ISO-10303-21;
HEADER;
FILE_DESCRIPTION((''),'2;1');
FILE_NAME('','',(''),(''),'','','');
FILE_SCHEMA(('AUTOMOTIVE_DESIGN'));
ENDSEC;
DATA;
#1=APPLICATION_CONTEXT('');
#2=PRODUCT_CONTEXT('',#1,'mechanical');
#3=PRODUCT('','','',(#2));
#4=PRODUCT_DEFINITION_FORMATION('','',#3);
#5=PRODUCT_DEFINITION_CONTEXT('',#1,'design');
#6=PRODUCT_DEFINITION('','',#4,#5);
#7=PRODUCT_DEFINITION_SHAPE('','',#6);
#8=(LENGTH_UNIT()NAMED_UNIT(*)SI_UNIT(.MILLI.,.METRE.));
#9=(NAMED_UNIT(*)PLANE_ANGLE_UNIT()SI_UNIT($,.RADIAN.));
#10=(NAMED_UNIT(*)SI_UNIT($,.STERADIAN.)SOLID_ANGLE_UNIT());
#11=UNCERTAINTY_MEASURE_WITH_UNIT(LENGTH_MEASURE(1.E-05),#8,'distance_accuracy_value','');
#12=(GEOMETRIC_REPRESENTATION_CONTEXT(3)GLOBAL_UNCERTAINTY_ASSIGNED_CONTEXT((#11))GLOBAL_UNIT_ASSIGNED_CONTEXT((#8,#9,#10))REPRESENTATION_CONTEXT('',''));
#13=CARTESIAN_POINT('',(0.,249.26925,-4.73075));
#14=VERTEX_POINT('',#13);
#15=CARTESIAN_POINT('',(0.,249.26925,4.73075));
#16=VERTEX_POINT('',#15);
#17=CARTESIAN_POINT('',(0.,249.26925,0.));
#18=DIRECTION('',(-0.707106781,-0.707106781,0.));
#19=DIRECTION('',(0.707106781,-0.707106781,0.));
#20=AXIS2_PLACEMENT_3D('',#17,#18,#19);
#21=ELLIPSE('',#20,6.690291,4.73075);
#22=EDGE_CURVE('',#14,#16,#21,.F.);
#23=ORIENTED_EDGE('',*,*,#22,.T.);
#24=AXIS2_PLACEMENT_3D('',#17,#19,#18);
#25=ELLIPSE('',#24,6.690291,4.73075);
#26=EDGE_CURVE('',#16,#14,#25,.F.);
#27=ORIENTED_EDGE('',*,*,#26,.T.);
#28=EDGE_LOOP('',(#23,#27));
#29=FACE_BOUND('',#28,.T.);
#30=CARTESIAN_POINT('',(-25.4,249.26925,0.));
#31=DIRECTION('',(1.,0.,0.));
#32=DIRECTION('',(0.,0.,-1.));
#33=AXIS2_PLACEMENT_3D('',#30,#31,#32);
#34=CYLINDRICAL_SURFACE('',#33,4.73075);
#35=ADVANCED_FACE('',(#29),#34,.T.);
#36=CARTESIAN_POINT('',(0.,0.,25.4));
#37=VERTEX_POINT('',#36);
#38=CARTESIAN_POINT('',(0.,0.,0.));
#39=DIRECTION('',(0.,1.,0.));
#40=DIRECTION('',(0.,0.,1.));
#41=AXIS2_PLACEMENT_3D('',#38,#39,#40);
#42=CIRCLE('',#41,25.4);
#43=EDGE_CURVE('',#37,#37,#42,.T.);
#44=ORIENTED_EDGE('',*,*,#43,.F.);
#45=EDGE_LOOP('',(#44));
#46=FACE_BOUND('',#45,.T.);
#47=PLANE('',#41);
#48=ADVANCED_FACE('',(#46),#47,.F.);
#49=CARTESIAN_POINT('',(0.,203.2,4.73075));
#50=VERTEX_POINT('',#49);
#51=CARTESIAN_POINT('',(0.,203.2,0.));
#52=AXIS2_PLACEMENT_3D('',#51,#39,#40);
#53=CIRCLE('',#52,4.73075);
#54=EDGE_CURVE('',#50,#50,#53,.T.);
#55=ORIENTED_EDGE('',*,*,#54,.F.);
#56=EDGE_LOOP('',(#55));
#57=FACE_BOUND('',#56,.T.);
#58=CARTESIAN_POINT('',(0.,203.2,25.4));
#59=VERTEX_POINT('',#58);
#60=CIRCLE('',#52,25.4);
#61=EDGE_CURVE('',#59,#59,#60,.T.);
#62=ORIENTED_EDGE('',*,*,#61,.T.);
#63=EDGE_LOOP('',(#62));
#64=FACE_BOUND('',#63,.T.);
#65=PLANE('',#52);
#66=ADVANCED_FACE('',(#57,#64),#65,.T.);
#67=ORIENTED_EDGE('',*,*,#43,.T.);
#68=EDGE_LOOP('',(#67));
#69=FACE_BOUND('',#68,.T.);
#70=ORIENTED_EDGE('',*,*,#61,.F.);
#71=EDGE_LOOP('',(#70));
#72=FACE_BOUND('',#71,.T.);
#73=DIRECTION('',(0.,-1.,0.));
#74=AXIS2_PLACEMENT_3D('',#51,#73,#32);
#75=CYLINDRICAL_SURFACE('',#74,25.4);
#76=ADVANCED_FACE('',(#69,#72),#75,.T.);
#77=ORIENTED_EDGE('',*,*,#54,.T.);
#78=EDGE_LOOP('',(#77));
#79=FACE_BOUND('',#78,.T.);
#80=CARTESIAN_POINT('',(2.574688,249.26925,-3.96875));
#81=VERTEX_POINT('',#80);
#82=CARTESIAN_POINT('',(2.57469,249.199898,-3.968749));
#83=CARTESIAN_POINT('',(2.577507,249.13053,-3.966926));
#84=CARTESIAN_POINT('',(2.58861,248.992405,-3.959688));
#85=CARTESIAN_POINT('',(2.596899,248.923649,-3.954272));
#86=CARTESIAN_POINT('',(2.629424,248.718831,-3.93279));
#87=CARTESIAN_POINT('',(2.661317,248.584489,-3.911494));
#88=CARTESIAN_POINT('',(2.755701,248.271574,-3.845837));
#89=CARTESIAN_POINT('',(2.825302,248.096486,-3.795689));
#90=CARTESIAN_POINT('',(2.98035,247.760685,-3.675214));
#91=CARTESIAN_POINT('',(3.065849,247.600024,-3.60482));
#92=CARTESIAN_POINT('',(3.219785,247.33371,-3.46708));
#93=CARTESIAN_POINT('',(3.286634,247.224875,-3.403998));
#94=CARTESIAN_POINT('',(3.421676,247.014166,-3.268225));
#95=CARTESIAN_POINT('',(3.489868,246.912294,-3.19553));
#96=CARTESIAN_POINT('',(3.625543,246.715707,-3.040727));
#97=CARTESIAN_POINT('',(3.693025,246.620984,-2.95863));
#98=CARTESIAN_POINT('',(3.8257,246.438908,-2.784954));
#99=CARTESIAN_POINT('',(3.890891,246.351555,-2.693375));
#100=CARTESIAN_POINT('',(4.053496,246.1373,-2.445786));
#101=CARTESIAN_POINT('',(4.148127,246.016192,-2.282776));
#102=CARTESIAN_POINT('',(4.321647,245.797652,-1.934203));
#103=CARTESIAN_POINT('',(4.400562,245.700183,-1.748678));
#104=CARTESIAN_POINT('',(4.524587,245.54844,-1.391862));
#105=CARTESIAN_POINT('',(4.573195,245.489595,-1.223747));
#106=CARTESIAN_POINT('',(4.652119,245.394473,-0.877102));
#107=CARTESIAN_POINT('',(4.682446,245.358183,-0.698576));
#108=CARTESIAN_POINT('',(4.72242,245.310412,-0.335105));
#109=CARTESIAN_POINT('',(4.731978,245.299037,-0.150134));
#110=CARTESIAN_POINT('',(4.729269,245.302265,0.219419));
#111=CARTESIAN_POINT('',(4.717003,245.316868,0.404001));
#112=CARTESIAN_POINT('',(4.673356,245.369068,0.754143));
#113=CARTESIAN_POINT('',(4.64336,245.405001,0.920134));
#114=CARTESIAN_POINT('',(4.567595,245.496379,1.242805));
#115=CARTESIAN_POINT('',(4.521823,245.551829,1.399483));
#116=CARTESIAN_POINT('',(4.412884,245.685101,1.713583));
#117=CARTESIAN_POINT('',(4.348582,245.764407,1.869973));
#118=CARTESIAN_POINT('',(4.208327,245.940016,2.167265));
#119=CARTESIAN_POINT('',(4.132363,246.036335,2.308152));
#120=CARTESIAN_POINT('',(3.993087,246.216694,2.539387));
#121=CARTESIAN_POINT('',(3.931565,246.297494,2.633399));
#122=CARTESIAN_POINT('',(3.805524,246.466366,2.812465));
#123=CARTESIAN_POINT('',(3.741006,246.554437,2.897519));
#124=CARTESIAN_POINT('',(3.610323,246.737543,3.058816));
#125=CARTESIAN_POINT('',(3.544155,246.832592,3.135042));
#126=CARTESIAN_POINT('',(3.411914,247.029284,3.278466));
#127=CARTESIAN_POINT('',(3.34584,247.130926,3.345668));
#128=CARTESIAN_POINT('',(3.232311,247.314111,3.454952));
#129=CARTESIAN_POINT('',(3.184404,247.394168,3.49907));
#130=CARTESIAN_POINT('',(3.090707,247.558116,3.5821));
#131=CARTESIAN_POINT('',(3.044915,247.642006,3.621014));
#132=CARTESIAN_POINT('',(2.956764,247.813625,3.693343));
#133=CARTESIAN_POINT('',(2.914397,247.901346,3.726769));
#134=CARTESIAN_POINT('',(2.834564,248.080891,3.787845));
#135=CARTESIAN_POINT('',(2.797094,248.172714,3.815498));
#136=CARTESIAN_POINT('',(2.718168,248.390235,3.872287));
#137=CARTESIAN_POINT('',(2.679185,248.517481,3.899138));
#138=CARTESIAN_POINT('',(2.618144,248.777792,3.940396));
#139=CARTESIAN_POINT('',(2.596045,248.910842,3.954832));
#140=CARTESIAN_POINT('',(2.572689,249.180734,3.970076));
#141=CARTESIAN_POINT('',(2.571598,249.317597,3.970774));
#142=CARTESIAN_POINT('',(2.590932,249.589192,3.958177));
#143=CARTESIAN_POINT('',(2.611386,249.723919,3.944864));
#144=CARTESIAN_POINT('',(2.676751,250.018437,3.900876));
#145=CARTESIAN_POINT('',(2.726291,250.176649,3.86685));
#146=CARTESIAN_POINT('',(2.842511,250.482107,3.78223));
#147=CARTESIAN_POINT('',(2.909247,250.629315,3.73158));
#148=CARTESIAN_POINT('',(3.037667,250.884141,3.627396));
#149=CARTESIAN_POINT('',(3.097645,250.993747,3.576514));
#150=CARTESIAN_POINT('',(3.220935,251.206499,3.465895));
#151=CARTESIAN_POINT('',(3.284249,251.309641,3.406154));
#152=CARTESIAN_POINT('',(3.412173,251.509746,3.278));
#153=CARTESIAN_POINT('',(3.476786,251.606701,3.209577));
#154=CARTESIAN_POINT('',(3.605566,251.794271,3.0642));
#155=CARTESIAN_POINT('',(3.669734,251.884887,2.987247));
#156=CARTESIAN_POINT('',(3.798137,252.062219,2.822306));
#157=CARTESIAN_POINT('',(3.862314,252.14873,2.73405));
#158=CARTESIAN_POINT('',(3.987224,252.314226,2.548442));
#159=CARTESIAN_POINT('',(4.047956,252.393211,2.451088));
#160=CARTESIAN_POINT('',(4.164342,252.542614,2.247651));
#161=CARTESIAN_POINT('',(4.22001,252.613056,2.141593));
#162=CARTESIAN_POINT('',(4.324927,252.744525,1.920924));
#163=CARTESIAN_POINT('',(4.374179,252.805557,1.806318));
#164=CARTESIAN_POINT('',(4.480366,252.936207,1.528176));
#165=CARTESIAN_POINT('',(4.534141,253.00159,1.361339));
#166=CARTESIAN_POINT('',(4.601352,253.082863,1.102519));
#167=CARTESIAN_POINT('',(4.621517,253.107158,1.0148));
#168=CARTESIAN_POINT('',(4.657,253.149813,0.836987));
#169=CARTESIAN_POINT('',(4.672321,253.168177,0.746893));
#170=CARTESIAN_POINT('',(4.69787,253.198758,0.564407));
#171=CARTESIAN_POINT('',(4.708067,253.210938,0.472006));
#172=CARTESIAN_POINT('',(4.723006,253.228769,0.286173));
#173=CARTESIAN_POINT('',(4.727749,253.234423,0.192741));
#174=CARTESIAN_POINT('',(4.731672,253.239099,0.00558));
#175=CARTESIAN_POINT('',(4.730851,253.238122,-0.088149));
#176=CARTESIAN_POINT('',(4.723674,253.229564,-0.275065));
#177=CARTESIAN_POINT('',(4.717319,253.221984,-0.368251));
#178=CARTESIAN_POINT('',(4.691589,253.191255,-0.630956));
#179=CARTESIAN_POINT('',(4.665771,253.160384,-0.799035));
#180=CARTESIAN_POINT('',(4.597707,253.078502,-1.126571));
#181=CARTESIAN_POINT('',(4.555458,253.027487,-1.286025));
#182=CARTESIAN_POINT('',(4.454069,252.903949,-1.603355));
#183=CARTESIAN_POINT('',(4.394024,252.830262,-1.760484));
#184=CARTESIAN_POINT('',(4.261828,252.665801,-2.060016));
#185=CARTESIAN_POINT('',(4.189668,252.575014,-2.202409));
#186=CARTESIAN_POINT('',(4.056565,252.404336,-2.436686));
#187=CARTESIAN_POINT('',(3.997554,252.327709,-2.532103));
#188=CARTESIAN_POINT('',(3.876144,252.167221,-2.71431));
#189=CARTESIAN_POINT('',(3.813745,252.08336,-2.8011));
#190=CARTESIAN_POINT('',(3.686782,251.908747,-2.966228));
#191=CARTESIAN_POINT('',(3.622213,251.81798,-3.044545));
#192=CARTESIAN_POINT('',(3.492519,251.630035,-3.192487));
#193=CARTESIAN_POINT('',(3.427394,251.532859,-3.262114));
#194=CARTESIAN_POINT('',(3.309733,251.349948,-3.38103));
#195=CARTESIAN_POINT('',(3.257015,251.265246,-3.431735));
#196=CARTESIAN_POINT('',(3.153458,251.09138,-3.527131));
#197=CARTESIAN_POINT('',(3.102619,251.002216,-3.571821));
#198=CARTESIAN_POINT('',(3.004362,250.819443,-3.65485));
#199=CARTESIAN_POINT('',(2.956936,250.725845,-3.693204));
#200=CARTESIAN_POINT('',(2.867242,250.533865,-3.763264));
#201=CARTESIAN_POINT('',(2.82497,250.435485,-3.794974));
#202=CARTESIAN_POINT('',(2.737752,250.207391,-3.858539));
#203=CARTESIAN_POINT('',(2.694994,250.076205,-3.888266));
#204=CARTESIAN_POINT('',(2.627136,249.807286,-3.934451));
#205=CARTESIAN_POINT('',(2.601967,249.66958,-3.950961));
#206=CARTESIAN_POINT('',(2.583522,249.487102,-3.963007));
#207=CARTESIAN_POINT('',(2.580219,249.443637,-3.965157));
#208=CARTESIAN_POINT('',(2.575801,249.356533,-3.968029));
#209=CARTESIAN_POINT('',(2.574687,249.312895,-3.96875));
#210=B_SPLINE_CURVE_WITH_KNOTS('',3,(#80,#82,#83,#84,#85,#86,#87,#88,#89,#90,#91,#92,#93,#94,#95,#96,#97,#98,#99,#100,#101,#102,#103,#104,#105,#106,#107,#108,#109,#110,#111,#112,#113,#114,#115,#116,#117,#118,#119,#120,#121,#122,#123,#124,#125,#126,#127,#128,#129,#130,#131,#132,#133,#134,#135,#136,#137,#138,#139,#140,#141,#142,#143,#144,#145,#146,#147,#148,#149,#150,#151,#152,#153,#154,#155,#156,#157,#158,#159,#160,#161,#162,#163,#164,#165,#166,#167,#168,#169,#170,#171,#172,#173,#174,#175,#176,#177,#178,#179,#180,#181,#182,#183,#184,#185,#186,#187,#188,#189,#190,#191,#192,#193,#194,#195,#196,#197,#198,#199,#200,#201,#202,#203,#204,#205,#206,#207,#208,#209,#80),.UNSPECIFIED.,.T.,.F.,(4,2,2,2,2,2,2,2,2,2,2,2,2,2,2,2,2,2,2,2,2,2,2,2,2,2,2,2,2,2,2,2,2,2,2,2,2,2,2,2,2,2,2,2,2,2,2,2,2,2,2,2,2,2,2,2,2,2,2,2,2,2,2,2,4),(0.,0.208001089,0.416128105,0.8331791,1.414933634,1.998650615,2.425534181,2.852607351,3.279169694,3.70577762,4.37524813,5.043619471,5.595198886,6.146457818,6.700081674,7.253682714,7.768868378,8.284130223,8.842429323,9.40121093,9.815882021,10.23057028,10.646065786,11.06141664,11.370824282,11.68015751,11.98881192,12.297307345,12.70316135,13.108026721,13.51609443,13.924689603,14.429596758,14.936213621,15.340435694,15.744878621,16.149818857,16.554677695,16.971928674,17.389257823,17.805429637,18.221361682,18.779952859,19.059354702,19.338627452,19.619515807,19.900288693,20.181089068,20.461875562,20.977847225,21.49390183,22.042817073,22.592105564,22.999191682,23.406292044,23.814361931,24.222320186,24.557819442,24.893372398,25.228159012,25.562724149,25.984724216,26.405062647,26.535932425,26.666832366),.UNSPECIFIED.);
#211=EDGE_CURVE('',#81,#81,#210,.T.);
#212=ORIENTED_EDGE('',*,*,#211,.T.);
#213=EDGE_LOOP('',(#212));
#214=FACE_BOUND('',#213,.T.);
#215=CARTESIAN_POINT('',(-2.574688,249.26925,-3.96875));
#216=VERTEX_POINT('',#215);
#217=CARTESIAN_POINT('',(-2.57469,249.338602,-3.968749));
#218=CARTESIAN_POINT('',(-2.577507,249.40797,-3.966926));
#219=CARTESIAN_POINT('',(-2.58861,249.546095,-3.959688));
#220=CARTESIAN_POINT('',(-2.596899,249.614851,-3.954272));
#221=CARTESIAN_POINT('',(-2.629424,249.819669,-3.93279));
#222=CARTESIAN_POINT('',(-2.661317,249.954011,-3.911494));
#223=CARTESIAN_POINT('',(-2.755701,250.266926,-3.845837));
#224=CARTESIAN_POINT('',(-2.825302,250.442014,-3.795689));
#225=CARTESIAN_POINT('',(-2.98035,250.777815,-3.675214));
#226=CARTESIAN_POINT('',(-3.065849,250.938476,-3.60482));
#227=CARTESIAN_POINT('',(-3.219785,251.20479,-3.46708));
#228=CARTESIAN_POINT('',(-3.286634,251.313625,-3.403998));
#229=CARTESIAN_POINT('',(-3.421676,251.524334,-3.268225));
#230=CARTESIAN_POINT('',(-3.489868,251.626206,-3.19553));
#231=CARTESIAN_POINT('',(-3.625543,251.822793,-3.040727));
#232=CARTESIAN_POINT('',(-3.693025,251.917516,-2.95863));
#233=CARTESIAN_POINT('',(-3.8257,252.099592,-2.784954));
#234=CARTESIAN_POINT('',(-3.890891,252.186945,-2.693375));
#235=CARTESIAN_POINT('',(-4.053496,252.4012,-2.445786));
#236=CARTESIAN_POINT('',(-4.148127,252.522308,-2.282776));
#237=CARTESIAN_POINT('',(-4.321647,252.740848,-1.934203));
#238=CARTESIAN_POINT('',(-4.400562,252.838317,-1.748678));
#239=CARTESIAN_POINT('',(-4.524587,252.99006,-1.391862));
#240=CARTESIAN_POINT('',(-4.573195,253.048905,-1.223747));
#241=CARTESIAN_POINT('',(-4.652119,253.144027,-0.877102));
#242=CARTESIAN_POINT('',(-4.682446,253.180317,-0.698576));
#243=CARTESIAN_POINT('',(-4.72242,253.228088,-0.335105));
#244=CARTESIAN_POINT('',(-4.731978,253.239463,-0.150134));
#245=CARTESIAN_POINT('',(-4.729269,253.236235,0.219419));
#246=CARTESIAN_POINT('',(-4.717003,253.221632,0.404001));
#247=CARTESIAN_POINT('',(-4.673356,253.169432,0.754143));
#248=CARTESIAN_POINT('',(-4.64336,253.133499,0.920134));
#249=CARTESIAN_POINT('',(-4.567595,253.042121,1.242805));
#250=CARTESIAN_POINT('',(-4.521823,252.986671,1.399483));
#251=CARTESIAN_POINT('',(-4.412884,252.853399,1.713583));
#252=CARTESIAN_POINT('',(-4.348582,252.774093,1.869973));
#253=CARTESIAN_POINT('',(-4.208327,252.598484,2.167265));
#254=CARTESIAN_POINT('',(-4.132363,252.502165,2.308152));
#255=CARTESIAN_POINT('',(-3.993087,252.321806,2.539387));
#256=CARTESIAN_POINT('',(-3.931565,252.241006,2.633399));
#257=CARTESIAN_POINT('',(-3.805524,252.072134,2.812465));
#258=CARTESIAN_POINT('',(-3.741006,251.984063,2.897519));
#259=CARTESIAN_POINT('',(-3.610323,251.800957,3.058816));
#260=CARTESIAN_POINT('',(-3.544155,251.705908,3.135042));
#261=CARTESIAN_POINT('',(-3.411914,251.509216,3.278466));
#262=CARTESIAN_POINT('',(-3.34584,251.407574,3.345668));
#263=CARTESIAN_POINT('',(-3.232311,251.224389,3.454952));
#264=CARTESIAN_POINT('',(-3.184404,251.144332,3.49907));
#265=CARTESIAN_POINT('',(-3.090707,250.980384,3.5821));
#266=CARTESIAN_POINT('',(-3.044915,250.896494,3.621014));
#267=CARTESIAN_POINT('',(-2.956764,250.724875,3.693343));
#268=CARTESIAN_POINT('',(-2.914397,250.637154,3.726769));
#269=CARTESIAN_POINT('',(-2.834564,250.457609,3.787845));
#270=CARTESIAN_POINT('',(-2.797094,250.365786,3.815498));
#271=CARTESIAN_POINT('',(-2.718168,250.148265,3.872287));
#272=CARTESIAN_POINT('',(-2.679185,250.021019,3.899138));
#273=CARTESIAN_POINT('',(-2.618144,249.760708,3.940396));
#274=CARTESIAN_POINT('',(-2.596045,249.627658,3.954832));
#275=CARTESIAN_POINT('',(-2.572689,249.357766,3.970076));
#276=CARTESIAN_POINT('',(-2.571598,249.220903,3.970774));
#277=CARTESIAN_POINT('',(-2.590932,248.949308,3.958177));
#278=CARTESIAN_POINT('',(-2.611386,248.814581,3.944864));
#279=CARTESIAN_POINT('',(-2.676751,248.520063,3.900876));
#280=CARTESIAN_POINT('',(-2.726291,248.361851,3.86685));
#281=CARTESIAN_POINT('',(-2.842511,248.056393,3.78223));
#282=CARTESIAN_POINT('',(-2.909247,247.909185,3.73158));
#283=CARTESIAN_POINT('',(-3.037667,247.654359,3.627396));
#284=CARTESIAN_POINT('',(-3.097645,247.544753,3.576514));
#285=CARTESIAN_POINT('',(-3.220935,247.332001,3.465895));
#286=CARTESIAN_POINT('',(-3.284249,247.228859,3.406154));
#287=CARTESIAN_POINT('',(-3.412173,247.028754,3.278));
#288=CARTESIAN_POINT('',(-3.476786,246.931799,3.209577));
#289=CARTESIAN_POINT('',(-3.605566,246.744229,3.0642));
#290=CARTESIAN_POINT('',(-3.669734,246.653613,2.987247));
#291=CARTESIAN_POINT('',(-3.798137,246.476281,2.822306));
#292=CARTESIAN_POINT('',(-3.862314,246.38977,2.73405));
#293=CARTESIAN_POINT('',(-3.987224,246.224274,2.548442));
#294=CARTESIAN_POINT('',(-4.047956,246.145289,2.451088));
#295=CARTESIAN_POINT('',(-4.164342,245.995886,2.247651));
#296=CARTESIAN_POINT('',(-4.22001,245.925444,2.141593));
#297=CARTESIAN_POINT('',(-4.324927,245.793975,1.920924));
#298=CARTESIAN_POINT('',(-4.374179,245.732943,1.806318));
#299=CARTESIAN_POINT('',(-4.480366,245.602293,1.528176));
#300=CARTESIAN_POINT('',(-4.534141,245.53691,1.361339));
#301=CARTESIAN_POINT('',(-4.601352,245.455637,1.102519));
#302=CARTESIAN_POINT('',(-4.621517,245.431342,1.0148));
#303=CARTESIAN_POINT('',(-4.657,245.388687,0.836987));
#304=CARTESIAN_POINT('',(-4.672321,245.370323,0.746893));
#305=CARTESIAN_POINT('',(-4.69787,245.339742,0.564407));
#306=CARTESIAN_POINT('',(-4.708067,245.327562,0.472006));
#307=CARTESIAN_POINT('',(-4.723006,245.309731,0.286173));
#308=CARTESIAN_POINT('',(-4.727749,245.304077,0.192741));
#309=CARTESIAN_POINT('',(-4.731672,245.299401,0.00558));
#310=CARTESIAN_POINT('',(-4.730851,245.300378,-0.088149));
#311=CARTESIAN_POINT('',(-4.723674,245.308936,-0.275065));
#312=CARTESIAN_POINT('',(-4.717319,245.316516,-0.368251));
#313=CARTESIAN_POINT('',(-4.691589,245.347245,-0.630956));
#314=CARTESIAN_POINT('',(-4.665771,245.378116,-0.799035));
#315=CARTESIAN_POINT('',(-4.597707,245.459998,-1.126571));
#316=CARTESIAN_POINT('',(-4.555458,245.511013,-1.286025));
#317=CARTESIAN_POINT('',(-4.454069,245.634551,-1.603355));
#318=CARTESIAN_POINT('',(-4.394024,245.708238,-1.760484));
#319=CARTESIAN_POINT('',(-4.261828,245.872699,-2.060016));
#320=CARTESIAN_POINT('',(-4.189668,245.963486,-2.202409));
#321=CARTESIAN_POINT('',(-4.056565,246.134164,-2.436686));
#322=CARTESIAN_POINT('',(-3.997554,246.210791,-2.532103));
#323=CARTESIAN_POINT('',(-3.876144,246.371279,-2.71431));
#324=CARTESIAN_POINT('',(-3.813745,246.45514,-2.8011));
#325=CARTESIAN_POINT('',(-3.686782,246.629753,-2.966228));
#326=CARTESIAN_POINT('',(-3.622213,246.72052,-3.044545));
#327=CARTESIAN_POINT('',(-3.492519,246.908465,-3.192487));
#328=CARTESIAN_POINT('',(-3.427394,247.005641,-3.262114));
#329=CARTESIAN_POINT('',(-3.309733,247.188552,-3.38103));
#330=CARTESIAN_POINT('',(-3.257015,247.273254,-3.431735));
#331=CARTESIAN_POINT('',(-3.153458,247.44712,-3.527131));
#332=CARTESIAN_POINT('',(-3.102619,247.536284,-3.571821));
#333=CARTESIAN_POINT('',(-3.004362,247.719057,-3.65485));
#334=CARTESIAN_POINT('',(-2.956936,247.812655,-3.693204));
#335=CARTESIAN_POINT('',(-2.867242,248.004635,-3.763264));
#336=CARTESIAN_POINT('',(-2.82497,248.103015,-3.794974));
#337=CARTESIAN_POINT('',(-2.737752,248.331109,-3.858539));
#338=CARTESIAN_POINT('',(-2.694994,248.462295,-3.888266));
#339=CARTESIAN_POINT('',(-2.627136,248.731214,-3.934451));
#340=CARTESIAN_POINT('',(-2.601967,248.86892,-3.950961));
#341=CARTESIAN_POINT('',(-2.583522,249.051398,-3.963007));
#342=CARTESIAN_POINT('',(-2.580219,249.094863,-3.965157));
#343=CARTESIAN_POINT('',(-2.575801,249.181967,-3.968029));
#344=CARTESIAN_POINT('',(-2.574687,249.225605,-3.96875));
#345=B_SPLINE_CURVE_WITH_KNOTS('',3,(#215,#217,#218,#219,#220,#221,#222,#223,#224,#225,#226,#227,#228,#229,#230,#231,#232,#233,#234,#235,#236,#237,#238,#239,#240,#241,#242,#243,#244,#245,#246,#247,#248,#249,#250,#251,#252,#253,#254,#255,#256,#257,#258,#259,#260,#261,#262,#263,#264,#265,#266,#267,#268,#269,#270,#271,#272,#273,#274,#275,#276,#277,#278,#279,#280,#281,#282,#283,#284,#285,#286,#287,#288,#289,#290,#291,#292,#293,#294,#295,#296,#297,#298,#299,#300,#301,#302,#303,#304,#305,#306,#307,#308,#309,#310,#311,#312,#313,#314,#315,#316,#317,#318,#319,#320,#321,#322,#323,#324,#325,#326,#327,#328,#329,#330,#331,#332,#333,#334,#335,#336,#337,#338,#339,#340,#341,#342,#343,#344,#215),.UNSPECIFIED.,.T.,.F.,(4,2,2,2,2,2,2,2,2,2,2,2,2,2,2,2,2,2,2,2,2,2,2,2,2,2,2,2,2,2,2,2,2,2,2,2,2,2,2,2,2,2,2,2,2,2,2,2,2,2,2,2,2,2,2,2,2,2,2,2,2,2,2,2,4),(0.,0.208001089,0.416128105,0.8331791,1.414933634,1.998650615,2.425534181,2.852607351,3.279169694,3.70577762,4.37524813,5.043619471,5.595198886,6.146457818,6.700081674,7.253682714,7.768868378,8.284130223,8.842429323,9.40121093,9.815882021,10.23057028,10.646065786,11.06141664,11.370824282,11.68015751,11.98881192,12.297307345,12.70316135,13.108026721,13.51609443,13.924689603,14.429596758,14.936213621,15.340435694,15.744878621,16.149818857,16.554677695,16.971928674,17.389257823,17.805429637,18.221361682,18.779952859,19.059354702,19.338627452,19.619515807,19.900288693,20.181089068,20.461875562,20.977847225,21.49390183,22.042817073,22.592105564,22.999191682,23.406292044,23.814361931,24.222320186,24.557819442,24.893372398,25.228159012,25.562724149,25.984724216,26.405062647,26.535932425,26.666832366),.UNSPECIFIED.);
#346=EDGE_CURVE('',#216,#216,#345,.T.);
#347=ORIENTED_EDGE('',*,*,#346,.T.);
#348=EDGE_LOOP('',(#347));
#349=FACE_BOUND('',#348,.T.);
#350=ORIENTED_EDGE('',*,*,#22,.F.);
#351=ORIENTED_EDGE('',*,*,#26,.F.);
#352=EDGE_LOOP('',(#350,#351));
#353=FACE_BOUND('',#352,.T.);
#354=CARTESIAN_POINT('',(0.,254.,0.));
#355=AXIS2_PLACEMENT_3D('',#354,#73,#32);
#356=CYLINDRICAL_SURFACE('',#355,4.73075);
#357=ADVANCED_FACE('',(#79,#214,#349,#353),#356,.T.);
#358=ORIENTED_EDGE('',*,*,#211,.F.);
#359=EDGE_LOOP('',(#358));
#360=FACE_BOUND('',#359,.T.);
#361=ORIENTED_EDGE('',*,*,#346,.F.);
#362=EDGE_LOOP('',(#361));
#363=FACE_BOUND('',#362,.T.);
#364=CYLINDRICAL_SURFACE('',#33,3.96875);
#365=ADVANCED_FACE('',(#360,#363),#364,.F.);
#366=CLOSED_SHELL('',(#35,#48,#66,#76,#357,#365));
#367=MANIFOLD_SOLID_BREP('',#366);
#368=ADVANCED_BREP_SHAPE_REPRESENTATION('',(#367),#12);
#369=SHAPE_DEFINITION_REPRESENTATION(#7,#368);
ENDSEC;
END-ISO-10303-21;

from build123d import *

# Parameters (mm, degrees)
SKETCH1_R               = 25.4
BOSS_EXTRUDE1_DEPTH     = 203.2
SKETCH2_R               = 4.73075
BOSS_EXTRUDE2_DEPTH     = 50.8
CUT_EXTRUDE1_DEPTH      = 257.527425434
CUT_EXTRUDE1_DEPTH_BACK = 257.527425434
SKETCH3_R               = 3.96875


with BuildPart() as part:
    # Sketch1 → Boss-Extrude1 (new body)
    with BuildSketch(Plane(origin=(0, 0, 0), x_dir=(1, 0, 0), z_dir=(0, 1, 0))):
        with Locations(Location((0, 0, 0), (0, 0, 270))):
            Circle(SKETCH1_R)
    extrude(amount=BOSS_EXTRUDE1_DEPTH)

    # Sketch2 → Boss-Extrude2 (add)
    with BuildSketch(Plane(origin=(0, 203.2, 0), x_dir=(1, 0, 0), z_dir=(0, 1, 0))):
        with Locations(Location((0, 0, 0), (0, 0, 270))):
            Circle(SKETCH2_R)
    extrude(amount=BOSS_EXTRUDE2_DEPTH)

    # Sketch3 → Cut-Extrude1 (cut, two sides: drawn at the far end of the back side and taken through both)
    with BuildSketch(Plane(origin=(0, 0, 0), x_dir=(0, 0, -1), z_dir=(1, 0, 0)).offset(-CUT_EXTRUDE1_DEPTH_BACK)):
        with Locations((0, 249.26925)):
            Circle(SKETCH3_R)
        with BuildLine():
            Line((-4.73075, 254), (-4.73075, 249.26925))
            ThreePointArc((-4.73075, 249.26925), (-3.345145405, 252.614395405), (0, 254))
            Line((0, 254), (-4.73075, 254))
        make_face()
        with BuildLine():
            ThreePointArc((0, 254), (3.345145405, 252.614395405), (4.73075, 249.26925))
            Line((4.73075, 249.26925), (4.73075, 254))
            Line((4.73075, 254), (0, 254))
        make_face()
    extrude(amount=CUT_EXTRUDE1_DEPTH + CUT_EXTRUDE1_DEPTH_BACK, mode=Mode.SUBTRACT)


solid = part.part
